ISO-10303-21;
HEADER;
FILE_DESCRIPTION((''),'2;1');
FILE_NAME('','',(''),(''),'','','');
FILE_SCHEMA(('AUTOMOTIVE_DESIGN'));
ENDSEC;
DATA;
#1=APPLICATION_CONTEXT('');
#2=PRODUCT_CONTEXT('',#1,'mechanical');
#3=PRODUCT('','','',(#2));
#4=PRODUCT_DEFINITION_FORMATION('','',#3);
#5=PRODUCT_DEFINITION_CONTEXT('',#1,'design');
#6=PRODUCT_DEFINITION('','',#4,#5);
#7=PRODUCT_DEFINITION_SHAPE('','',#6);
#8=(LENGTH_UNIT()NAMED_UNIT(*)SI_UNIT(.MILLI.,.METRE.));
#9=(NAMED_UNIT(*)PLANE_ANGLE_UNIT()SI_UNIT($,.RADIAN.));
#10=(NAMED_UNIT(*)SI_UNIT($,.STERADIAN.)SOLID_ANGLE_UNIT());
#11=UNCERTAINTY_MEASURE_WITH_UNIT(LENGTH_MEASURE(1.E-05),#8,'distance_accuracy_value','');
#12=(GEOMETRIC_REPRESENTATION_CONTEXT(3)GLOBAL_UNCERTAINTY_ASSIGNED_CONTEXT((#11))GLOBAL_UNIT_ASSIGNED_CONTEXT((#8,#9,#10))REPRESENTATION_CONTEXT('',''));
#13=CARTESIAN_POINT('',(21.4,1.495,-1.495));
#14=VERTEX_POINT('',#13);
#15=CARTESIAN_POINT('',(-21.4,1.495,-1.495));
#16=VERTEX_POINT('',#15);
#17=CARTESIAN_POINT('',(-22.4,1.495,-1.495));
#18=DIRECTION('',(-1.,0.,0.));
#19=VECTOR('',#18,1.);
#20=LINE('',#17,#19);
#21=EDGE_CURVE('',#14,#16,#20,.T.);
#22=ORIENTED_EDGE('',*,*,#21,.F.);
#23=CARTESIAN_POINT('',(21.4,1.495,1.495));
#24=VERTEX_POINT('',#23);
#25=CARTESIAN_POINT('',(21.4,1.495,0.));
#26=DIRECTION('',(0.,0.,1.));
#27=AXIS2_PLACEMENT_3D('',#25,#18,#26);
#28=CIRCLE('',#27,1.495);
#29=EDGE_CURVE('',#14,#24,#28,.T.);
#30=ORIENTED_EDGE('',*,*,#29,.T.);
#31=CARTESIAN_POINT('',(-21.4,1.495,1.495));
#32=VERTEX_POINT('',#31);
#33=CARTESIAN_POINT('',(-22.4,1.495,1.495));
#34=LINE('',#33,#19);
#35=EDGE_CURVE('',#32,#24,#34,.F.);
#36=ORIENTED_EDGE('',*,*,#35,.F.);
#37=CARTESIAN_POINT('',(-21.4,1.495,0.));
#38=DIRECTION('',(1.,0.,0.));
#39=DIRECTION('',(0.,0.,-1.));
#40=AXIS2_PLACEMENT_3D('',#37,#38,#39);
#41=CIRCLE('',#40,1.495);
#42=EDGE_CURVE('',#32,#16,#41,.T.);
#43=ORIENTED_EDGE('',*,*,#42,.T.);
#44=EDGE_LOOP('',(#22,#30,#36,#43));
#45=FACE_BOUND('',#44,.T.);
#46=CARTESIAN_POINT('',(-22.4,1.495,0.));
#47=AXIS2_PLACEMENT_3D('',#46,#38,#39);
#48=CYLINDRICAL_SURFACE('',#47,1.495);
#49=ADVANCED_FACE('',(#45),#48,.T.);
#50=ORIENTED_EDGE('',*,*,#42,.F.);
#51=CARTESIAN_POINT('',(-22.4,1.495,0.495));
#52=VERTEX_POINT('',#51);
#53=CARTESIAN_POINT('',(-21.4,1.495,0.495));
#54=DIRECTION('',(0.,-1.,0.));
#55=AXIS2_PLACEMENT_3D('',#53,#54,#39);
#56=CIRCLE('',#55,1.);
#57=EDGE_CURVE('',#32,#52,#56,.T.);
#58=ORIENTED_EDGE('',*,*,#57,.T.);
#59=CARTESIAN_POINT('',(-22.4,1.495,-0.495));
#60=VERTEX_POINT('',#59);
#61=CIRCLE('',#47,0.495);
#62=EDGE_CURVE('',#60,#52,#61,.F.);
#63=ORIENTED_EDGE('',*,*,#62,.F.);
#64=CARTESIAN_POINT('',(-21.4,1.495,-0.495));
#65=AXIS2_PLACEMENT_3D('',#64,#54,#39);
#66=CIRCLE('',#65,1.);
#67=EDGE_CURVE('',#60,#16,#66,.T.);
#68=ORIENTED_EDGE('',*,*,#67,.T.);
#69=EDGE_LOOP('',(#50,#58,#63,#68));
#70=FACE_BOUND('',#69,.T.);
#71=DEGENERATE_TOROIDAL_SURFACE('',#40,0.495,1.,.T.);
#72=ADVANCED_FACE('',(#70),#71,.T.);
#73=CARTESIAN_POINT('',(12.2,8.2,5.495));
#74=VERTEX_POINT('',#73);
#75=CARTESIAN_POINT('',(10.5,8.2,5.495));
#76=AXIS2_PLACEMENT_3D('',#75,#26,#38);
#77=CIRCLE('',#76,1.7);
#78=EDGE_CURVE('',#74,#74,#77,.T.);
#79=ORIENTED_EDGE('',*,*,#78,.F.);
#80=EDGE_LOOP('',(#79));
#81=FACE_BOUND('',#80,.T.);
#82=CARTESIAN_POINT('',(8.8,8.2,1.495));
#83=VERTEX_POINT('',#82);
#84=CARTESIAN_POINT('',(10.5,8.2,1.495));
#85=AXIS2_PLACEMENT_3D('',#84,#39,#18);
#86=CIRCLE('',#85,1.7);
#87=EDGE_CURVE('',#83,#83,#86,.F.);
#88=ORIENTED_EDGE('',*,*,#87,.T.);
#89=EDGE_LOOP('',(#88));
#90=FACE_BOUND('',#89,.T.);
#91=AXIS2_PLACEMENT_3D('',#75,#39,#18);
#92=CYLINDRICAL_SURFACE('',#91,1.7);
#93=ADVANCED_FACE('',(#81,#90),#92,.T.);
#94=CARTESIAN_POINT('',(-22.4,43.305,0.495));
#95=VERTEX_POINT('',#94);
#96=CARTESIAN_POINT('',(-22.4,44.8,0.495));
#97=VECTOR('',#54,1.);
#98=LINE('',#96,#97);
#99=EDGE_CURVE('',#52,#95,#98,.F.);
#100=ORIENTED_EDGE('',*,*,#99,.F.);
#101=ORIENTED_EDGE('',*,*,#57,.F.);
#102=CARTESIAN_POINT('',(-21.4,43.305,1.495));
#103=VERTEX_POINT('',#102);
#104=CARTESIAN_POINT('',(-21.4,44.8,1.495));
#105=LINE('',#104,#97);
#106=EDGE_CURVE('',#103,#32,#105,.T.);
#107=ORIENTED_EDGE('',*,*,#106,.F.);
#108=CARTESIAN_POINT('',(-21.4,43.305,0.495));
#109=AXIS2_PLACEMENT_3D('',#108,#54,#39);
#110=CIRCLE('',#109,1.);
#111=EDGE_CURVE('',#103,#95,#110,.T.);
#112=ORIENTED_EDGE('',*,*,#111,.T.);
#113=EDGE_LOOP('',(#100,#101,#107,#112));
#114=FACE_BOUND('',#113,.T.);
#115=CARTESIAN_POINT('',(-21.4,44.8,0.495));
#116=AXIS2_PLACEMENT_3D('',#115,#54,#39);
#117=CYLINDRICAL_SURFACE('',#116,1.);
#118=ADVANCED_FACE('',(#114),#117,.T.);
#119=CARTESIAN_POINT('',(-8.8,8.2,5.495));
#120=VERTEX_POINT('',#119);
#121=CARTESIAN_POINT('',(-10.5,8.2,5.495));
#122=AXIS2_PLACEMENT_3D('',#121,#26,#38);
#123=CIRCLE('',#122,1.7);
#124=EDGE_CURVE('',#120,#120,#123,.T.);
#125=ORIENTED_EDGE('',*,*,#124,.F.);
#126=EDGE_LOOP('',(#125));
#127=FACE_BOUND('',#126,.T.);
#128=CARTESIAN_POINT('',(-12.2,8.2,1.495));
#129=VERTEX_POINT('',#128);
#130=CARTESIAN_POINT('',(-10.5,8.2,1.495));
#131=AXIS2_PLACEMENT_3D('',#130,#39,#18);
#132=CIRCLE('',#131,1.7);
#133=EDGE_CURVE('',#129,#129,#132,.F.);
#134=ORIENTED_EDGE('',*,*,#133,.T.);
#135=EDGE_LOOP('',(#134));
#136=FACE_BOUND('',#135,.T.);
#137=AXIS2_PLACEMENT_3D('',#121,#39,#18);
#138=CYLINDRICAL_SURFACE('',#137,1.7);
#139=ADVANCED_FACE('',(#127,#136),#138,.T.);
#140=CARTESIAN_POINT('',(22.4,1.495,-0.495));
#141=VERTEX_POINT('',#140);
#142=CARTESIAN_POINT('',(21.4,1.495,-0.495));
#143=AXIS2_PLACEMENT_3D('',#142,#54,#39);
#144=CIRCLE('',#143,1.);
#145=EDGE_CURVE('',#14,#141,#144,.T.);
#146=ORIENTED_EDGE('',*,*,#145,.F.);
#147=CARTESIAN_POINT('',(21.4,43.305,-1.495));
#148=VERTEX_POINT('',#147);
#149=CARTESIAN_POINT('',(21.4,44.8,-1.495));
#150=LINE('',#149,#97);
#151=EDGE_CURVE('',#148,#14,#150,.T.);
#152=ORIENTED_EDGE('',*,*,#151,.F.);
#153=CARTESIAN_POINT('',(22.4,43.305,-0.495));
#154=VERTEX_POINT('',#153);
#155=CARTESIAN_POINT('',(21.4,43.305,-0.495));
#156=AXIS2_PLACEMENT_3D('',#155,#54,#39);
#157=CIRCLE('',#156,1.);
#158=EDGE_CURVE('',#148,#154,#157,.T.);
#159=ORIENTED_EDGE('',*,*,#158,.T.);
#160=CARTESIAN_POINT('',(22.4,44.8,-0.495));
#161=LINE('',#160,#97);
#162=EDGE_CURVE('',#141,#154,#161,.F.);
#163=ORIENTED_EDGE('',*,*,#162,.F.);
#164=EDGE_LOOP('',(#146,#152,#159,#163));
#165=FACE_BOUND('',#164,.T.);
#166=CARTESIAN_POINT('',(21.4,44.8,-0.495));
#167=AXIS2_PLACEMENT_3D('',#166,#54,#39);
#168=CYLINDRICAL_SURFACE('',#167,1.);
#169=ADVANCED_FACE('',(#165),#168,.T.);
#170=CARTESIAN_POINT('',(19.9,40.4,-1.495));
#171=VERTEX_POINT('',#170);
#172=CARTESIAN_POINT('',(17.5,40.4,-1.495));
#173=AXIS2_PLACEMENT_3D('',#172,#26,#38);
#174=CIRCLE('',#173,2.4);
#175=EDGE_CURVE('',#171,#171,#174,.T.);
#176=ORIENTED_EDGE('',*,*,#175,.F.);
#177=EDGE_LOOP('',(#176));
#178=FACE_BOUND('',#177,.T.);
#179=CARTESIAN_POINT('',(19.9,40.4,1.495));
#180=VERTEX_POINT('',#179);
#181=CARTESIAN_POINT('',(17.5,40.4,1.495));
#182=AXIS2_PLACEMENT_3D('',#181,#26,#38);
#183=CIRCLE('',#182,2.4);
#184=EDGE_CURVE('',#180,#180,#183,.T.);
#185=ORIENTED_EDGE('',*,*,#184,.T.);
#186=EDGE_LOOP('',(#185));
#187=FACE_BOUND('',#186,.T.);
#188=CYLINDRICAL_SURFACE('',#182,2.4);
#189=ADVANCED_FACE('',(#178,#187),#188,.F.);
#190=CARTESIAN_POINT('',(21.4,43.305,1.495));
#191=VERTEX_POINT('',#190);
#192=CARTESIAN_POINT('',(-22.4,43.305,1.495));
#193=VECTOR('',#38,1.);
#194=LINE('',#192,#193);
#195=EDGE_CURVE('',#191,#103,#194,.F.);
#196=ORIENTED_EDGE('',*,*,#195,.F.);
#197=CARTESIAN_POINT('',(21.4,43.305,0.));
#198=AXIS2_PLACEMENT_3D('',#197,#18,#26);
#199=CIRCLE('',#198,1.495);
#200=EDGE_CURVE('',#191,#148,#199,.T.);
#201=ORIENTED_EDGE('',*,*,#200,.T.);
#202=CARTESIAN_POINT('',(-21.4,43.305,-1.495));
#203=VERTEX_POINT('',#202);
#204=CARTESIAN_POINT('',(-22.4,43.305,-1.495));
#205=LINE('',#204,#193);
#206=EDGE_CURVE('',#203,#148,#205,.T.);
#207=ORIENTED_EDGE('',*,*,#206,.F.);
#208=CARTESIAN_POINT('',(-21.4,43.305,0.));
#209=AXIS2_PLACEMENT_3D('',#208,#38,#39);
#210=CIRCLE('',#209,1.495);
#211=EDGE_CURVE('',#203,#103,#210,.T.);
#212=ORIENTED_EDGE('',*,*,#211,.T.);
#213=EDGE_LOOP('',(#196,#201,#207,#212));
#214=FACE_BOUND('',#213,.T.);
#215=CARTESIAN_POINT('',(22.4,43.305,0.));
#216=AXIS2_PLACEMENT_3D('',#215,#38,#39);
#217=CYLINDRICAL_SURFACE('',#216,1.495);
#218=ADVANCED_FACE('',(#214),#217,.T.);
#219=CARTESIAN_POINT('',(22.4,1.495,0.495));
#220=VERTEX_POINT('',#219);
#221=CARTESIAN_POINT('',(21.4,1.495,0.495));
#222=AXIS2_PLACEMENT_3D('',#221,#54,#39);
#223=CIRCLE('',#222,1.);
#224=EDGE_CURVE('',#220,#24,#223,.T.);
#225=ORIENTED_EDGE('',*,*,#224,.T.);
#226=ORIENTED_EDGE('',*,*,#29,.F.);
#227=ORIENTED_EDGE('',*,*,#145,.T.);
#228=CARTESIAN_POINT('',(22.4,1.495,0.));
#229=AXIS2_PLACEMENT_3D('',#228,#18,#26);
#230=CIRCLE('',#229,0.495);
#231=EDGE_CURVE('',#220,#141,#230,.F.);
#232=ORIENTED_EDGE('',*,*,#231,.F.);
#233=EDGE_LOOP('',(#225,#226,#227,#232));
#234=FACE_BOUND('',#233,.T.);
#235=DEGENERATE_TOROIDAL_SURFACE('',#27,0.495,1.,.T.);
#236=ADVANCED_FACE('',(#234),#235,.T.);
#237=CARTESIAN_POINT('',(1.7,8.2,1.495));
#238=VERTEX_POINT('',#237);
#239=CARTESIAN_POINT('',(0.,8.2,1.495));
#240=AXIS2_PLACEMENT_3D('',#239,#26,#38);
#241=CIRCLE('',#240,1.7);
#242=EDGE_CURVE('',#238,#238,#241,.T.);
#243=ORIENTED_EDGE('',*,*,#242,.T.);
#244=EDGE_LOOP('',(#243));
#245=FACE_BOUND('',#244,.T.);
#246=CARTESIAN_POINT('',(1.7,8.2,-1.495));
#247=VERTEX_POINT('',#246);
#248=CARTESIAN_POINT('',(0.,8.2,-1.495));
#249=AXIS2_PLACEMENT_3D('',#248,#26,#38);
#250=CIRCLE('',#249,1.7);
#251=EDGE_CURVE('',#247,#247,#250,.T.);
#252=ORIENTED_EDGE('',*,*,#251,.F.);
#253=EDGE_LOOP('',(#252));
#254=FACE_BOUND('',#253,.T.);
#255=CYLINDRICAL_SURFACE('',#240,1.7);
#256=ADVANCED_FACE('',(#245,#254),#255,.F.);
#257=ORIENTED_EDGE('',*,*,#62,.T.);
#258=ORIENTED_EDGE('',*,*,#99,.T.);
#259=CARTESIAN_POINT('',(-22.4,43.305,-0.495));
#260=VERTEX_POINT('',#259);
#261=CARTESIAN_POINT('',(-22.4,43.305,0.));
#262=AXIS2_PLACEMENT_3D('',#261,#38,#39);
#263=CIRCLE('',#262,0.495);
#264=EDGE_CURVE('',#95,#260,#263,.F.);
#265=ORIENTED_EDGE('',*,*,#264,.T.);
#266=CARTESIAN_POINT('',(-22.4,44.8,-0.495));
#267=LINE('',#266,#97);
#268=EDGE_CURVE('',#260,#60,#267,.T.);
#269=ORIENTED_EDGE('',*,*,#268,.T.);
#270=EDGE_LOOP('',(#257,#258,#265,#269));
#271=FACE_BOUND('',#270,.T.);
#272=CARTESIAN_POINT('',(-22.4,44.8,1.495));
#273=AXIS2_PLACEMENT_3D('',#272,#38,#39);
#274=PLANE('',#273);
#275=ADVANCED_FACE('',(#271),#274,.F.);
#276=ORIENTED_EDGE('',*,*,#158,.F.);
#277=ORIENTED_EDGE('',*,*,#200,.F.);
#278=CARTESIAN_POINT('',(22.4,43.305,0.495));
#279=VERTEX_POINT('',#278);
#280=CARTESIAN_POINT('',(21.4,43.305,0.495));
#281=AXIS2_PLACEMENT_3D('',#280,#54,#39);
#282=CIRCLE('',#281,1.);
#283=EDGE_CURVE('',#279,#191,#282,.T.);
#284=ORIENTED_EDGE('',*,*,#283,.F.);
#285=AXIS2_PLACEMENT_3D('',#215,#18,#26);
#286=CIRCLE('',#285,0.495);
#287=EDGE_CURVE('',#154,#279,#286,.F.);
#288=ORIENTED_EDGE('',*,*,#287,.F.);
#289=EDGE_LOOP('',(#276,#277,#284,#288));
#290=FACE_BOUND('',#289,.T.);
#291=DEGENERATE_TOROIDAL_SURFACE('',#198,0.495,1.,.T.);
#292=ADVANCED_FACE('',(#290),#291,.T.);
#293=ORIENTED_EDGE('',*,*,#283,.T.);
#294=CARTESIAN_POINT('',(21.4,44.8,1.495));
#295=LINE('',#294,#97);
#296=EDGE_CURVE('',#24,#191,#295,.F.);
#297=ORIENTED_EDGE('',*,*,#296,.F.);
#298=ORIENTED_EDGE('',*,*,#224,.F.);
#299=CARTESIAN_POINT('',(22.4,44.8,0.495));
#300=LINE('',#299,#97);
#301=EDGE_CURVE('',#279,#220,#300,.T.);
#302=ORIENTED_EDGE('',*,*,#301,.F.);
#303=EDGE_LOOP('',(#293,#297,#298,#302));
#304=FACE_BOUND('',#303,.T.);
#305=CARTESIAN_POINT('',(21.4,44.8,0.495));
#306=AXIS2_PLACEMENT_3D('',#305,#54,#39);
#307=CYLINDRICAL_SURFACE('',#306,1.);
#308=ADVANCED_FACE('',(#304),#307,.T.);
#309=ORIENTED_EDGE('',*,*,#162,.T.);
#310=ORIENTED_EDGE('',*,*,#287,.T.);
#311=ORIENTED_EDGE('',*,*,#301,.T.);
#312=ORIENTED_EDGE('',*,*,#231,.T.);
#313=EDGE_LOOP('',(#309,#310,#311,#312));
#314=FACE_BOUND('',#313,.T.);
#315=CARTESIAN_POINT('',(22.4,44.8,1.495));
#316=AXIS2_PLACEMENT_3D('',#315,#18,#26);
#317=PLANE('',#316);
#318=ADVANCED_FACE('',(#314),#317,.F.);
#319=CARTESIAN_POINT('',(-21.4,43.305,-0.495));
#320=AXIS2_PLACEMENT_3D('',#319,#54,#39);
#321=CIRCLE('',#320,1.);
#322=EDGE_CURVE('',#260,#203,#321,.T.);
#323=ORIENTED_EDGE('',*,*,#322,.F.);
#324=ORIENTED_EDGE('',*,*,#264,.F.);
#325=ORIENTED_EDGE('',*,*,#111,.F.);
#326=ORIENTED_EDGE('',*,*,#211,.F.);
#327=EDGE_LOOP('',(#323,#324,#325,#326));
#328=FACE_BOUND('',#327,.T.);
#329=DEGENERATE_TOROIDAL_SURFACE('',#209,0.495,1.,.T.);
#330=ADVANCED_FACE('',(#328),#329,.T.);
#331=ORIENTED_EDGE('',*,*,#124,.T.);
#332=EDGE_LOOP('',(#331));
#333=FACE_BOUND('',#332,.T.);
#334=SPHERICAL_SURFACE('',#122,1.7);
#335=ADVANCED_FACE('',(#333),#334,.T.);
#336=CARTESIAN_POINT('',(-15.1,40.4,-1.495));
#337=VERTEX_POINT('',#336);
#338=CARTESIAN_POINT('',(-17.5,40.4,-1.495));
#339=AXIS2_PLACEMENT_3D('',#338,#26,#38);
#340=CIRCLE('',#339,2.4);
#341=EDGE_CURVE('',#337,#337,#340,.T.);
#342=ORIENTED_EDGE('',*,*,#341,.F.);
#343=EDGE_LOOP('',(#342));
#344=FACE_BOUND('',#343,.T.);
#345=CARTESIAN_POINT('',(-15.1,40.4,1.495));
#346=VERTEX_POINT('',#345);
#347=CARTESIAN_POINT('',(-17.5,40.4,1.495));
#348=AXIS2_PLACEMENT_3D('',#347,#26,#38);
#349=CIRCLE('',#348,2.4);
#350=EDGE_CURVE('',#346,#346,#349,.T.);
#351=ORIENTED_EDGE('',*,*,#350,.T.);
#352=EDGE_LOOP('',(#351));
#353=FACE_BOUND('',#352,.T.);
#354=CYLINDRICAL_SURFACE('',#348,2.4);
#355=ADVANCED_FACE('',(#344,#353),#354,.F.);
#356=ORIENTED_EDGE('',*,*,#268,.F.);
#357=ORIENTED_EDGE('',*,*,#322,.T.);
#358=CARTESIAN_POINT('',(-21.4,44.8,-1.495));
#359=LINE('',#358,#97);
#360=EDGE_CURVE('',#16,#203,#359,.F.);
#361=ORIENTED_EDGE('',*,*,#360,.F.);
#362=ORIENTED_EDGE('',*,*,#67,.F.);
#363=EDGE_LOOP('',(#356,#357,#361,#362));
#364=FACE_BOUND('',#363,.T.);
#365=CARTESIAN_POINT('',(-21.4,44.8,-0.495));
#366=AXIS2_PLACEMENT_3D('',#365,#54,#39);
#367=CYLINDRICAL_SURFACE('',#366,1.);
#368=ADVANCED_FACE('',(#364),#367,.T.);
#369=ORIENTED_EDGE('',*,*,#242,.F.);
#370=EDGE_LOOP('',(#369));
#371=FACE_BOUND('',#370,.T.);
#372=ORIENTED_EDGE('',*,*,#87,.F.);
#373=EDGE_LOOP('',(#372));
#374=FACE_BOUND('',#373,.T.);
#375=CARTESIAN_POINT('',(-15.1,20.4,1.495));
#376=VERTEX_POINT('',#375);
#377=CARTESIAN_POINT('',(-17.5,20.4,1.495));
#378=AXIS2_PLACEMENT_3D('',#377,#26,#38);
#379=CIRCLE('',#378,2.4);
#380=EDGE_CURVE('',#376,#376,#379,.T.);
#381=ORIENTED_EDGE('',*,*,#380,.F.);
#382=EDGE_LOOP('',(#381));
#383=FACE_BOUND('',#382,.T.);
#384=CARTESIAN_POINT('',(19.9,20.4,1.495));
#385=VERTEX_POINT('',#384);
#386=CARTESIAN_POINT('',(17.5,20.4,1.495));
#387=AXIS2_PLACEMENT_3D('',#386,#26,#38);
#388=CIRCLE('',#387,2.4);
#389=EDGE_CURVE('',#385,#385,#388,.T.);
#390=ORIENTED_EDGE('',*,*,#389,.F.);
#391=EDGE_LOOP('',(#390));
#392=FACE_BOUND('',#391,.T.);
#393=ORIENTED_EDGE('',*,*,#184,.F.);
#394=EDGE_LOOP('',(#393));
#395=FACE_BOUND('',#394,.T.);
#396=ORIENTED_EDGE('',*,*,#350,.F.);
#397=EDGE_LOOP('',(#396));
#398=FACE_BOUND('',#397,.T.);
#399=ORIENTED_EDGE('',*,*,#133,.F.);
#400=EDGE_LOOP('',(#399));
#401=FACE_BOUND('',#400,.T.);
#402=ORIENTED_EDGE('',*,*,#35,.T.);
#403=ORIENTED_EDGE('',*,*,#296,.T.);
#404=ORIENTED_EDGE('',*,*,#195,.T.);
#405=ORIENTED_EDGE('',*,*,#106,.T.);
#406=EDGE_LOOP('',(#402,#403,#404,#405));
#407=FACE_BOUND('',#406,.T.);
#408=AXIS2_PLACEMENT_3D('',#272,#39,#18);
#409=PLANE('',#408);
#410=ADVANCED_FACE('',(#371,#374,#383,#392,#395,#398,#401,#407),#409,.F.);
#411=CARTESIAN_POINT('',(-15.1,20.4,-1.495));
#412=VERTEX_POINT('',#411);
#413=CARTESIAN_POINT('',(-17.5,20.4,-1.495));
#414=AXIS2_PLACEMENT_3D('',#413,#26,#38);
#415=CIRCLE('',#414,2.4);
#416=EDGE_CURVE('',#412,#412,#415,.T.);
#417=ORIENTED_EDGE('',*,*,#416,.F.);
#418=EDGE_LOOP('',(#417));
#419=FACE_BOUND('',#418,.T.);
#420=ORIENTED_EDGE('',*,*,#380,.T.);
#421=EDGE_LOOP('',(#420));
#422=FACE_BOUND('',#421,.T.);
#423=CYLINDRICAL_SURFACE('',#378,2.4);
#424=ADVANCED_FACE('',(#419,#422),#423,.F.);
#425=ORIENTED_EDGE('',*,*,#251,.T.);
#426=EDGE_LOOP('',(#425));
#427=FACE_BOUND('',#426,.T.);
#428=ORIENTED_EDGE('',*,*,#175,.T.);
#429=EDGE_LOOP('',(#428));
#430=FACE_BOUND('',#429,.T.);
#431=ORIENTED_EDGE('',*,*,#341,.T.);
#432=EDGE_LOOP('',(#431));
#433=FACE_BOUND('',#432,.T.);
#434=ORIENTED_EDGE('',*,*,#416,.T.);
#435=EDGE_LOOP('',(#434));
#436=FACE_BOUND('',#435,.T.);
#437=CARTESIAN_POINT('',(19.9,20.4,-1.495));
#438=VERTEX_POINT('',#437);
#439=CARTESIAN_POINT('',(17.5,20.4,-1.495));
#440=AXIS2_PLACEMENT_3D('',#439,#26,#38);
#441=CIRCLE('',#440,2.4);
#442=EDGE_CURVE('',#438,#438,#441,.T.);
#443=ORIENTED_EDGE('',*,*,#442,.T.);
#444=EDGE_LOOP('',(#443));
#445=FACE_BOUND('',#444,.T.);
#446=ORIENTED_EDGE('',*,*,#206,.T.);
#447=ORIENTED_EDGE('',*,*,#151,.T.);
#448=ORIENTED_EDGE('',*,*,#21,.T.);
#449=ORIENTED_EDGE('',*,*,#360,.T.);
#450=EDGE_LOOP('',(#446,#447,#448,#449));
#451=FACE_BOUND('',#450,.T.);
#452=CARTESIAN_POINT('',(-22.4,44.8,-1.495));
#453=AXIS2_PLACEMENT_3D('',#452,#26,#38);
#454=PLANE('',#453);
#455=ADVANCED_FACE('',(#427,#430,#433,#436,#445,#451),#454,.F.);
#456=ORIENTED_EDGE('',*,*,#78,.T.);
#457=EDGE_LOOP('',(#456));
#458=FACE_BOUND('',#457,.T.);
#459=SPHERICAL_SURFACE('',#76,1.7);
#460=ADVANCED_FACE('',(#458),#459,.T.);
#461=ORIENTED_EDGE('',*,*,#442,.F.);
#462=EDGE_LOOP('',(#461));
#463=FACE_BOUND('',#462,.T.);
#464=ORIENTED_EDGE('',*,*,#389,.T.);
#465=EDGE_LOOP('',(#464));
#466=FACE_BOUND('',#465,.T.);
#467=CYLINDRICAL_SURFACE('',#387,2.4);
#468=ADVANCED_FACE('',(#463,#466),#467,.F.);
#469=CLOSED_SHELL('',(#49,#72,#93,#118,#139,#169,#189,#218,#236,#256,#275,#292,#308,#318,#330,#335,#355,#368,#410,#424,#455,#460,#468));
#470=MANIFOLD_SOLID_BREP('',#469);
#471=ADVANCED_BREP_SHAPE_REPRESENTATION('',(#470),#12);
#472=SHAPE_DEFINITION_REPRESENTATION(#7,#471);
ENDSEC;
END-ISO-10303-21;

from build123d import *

# Parameters (mm, degrees)
SKETCH1_W            = 44.8
SKETCH1_H            = 2.99
BOSS_EXTRUDE1_DEPTH  = 44.8
FILLET1_RADIUS       = 1.495
FILLET1_LENGTH       = 44.8
M4_CLEARANCE_HOLE1_D = 4.8
M3_CLEARANCE_HOLE1_D = 3.4
SKETCH8_R            = 1.7
BOSS_EXTRUDE2_DEPTH  = 4
REVOLVE1_ANGLE       = 180
REVOLVE2_ANGLE       = 180
FILLET2_RADIUS       = 1.495
FILLET2_LENGTH       = 44.8
FILLET3_R            = 1
FILLET4_R            = 1


with BuildPart() as part:
    # Sketch1 → Boss-Extrude1 (new body)
    with BuildSketch(Plane(origin=(0, 0, 0), x_dir=(1, 0, 0), z_dir=(0, 1, 0))):
        Rectangle(SKETCH1_W, SKETCH1_H)
    extrude(amount=BOSS_EXTRUDE1_DEPTH)

    # Fillet1: full round fillet: the end face becomes a half cylinder, R = half its width
    fillet1_face = Plane((0, 0, 0), x_dir=(-1, 0, 0), z_dir=(0, -1, 0))  # on the end face: x along it, z out of the body
    fillet1_slab = fillet1_face.offset(-FILLET1_RADIUS / 2) * Box(FILLET1_LENGTH, 2 * FILLET1_RADIUS, FILLET1_RADIUS, mode=Mode.PRIVATE)  # the body's end, R deep
    fillet1_round = Plane((0, 1.495, 0), x_dir=(0, -1, 0), z_dir=(-1, 0, 0)) * Cylinder(FILLET1_RADIUS, FILLET1_LENGTH, mode=Mode.PRIVATE)  # its axis R under the face
    add(fillet1_slab - fillet1_round, mode=Mode.SUBTRACT)

    # M4 Clearance Hole1 (through all)
    with Locations(Plane.XY.offset(1.495)):
        with Locations((-17.5, 40.4), (-17.5, 20.4), (17.5, 20.4), (17.5, 40.4)):
            Hole(M4_CLEARANCE_HOLE1_D / 2)

    # M3 Clearance Hole1 (through all)
    with Locations(Plane.XY.offset(1.495)):
        with Locations((0, 8.2)):
            Hole(M3_CLEARANCE_HOLE1_D / 2)

    # Sketch8 → Boss-Extrude2 (add)
    with BuildSketch(Plane.XY.offset(1.495)):
        with Locations(Location((-10.5, 8.2, 0), (0, 0, 180))):
            Circle(SKETCH8_R)
        with Locations(Location((10.5, 8.2, 0), (0, 0, 180))):
            Circle(SKETCH8_R)
    extrude(amount=BOSS_EXTRUDE2_DEPTH)

    # Sketch9 → Revolve1 (revolve)
    with BuildSketch(Plane.XY.offset(5.495)):
        with BuildLine():
            Line((-10.5, 9.9), (-10.5, 6.5))
            ThreePointArc((-10.5, 6.5), (-8.8, 8.2), (-10.5, 9.9))
        make_face()
    revolve(axis=Axis((-10.5, 9.9, 5.495), (0, -1, 0)), revolution_arc=REVOLVE1_ANGLE)

    # Sketch10 → Revolve2 (revolve)
    with BuildSketch(Plane.XY.offset(5.495)):
        with BuildLine():
            Line((10.5, 9.9), (10.5, 6.5))
            ThreePointArc((10.5, 6.5), (12.2, 8.2), (10.5, 9.9))
        make_face()
    revolve(axis=Axis((10.5, 9.9, 5.495), (0, -1, 0)), revolution_arc=REVOLVE2_ANGLE)

    # Fillet2: full round fillet: the end face becomes a half cylinder, R = half its width
    fillet2_face = Plane((0, 44.8, 0), x_dir=(1, 0, 0), z_dir=(0, 1, 0))  # on the end face: x along it, z out of the body
    fillet2_slab = fillet2_face.offset(-FILLET2_RADIUS / 2) * Box(FILLET2_LENGTH, 2 * FILLET2_RADIUS, FILLET2_RADIUS, mode=Mode.PRIVATE)  # the body's end, R deep
    fillet2_round = Plane((0, 43.305, 0), x_dir=(0, 1, 0), z_dir=(1, 0, 0)) * Cylinder(FILLET2_RADIUS, FILLET2_LENGTH, mode=Mode.PRIVATE)  # its axis R under the face
    add(fillet2_slab - fillet2_round, mode=Mode.SUBTRACT)

    # Fillet3
    fillet3_edges = [part.edges().sort_by_distance(p)[0] for p in [
        (-22.4, 0, 0),
        (-22.4, 22.4, 1.495),
        (-22.4, 22.4, -1.495),
        (-22.4, 44.8, 0),
    ]]
    fillet(fillet3_edges, radius=FILLET3_R)

    # Fillet4
    fillet4_edges = [part.edges().sort_by_distance(p)[0] for p in [
        (22.4, 0, 0),
        (22.4, 22.4, 1.495),
        (22.4, 22.4, -1.495),
        (22.4, 44.8, 0),
    ]]
    fillet(fillet4_edges, radius=FILLET4_R)


solid = part.part
